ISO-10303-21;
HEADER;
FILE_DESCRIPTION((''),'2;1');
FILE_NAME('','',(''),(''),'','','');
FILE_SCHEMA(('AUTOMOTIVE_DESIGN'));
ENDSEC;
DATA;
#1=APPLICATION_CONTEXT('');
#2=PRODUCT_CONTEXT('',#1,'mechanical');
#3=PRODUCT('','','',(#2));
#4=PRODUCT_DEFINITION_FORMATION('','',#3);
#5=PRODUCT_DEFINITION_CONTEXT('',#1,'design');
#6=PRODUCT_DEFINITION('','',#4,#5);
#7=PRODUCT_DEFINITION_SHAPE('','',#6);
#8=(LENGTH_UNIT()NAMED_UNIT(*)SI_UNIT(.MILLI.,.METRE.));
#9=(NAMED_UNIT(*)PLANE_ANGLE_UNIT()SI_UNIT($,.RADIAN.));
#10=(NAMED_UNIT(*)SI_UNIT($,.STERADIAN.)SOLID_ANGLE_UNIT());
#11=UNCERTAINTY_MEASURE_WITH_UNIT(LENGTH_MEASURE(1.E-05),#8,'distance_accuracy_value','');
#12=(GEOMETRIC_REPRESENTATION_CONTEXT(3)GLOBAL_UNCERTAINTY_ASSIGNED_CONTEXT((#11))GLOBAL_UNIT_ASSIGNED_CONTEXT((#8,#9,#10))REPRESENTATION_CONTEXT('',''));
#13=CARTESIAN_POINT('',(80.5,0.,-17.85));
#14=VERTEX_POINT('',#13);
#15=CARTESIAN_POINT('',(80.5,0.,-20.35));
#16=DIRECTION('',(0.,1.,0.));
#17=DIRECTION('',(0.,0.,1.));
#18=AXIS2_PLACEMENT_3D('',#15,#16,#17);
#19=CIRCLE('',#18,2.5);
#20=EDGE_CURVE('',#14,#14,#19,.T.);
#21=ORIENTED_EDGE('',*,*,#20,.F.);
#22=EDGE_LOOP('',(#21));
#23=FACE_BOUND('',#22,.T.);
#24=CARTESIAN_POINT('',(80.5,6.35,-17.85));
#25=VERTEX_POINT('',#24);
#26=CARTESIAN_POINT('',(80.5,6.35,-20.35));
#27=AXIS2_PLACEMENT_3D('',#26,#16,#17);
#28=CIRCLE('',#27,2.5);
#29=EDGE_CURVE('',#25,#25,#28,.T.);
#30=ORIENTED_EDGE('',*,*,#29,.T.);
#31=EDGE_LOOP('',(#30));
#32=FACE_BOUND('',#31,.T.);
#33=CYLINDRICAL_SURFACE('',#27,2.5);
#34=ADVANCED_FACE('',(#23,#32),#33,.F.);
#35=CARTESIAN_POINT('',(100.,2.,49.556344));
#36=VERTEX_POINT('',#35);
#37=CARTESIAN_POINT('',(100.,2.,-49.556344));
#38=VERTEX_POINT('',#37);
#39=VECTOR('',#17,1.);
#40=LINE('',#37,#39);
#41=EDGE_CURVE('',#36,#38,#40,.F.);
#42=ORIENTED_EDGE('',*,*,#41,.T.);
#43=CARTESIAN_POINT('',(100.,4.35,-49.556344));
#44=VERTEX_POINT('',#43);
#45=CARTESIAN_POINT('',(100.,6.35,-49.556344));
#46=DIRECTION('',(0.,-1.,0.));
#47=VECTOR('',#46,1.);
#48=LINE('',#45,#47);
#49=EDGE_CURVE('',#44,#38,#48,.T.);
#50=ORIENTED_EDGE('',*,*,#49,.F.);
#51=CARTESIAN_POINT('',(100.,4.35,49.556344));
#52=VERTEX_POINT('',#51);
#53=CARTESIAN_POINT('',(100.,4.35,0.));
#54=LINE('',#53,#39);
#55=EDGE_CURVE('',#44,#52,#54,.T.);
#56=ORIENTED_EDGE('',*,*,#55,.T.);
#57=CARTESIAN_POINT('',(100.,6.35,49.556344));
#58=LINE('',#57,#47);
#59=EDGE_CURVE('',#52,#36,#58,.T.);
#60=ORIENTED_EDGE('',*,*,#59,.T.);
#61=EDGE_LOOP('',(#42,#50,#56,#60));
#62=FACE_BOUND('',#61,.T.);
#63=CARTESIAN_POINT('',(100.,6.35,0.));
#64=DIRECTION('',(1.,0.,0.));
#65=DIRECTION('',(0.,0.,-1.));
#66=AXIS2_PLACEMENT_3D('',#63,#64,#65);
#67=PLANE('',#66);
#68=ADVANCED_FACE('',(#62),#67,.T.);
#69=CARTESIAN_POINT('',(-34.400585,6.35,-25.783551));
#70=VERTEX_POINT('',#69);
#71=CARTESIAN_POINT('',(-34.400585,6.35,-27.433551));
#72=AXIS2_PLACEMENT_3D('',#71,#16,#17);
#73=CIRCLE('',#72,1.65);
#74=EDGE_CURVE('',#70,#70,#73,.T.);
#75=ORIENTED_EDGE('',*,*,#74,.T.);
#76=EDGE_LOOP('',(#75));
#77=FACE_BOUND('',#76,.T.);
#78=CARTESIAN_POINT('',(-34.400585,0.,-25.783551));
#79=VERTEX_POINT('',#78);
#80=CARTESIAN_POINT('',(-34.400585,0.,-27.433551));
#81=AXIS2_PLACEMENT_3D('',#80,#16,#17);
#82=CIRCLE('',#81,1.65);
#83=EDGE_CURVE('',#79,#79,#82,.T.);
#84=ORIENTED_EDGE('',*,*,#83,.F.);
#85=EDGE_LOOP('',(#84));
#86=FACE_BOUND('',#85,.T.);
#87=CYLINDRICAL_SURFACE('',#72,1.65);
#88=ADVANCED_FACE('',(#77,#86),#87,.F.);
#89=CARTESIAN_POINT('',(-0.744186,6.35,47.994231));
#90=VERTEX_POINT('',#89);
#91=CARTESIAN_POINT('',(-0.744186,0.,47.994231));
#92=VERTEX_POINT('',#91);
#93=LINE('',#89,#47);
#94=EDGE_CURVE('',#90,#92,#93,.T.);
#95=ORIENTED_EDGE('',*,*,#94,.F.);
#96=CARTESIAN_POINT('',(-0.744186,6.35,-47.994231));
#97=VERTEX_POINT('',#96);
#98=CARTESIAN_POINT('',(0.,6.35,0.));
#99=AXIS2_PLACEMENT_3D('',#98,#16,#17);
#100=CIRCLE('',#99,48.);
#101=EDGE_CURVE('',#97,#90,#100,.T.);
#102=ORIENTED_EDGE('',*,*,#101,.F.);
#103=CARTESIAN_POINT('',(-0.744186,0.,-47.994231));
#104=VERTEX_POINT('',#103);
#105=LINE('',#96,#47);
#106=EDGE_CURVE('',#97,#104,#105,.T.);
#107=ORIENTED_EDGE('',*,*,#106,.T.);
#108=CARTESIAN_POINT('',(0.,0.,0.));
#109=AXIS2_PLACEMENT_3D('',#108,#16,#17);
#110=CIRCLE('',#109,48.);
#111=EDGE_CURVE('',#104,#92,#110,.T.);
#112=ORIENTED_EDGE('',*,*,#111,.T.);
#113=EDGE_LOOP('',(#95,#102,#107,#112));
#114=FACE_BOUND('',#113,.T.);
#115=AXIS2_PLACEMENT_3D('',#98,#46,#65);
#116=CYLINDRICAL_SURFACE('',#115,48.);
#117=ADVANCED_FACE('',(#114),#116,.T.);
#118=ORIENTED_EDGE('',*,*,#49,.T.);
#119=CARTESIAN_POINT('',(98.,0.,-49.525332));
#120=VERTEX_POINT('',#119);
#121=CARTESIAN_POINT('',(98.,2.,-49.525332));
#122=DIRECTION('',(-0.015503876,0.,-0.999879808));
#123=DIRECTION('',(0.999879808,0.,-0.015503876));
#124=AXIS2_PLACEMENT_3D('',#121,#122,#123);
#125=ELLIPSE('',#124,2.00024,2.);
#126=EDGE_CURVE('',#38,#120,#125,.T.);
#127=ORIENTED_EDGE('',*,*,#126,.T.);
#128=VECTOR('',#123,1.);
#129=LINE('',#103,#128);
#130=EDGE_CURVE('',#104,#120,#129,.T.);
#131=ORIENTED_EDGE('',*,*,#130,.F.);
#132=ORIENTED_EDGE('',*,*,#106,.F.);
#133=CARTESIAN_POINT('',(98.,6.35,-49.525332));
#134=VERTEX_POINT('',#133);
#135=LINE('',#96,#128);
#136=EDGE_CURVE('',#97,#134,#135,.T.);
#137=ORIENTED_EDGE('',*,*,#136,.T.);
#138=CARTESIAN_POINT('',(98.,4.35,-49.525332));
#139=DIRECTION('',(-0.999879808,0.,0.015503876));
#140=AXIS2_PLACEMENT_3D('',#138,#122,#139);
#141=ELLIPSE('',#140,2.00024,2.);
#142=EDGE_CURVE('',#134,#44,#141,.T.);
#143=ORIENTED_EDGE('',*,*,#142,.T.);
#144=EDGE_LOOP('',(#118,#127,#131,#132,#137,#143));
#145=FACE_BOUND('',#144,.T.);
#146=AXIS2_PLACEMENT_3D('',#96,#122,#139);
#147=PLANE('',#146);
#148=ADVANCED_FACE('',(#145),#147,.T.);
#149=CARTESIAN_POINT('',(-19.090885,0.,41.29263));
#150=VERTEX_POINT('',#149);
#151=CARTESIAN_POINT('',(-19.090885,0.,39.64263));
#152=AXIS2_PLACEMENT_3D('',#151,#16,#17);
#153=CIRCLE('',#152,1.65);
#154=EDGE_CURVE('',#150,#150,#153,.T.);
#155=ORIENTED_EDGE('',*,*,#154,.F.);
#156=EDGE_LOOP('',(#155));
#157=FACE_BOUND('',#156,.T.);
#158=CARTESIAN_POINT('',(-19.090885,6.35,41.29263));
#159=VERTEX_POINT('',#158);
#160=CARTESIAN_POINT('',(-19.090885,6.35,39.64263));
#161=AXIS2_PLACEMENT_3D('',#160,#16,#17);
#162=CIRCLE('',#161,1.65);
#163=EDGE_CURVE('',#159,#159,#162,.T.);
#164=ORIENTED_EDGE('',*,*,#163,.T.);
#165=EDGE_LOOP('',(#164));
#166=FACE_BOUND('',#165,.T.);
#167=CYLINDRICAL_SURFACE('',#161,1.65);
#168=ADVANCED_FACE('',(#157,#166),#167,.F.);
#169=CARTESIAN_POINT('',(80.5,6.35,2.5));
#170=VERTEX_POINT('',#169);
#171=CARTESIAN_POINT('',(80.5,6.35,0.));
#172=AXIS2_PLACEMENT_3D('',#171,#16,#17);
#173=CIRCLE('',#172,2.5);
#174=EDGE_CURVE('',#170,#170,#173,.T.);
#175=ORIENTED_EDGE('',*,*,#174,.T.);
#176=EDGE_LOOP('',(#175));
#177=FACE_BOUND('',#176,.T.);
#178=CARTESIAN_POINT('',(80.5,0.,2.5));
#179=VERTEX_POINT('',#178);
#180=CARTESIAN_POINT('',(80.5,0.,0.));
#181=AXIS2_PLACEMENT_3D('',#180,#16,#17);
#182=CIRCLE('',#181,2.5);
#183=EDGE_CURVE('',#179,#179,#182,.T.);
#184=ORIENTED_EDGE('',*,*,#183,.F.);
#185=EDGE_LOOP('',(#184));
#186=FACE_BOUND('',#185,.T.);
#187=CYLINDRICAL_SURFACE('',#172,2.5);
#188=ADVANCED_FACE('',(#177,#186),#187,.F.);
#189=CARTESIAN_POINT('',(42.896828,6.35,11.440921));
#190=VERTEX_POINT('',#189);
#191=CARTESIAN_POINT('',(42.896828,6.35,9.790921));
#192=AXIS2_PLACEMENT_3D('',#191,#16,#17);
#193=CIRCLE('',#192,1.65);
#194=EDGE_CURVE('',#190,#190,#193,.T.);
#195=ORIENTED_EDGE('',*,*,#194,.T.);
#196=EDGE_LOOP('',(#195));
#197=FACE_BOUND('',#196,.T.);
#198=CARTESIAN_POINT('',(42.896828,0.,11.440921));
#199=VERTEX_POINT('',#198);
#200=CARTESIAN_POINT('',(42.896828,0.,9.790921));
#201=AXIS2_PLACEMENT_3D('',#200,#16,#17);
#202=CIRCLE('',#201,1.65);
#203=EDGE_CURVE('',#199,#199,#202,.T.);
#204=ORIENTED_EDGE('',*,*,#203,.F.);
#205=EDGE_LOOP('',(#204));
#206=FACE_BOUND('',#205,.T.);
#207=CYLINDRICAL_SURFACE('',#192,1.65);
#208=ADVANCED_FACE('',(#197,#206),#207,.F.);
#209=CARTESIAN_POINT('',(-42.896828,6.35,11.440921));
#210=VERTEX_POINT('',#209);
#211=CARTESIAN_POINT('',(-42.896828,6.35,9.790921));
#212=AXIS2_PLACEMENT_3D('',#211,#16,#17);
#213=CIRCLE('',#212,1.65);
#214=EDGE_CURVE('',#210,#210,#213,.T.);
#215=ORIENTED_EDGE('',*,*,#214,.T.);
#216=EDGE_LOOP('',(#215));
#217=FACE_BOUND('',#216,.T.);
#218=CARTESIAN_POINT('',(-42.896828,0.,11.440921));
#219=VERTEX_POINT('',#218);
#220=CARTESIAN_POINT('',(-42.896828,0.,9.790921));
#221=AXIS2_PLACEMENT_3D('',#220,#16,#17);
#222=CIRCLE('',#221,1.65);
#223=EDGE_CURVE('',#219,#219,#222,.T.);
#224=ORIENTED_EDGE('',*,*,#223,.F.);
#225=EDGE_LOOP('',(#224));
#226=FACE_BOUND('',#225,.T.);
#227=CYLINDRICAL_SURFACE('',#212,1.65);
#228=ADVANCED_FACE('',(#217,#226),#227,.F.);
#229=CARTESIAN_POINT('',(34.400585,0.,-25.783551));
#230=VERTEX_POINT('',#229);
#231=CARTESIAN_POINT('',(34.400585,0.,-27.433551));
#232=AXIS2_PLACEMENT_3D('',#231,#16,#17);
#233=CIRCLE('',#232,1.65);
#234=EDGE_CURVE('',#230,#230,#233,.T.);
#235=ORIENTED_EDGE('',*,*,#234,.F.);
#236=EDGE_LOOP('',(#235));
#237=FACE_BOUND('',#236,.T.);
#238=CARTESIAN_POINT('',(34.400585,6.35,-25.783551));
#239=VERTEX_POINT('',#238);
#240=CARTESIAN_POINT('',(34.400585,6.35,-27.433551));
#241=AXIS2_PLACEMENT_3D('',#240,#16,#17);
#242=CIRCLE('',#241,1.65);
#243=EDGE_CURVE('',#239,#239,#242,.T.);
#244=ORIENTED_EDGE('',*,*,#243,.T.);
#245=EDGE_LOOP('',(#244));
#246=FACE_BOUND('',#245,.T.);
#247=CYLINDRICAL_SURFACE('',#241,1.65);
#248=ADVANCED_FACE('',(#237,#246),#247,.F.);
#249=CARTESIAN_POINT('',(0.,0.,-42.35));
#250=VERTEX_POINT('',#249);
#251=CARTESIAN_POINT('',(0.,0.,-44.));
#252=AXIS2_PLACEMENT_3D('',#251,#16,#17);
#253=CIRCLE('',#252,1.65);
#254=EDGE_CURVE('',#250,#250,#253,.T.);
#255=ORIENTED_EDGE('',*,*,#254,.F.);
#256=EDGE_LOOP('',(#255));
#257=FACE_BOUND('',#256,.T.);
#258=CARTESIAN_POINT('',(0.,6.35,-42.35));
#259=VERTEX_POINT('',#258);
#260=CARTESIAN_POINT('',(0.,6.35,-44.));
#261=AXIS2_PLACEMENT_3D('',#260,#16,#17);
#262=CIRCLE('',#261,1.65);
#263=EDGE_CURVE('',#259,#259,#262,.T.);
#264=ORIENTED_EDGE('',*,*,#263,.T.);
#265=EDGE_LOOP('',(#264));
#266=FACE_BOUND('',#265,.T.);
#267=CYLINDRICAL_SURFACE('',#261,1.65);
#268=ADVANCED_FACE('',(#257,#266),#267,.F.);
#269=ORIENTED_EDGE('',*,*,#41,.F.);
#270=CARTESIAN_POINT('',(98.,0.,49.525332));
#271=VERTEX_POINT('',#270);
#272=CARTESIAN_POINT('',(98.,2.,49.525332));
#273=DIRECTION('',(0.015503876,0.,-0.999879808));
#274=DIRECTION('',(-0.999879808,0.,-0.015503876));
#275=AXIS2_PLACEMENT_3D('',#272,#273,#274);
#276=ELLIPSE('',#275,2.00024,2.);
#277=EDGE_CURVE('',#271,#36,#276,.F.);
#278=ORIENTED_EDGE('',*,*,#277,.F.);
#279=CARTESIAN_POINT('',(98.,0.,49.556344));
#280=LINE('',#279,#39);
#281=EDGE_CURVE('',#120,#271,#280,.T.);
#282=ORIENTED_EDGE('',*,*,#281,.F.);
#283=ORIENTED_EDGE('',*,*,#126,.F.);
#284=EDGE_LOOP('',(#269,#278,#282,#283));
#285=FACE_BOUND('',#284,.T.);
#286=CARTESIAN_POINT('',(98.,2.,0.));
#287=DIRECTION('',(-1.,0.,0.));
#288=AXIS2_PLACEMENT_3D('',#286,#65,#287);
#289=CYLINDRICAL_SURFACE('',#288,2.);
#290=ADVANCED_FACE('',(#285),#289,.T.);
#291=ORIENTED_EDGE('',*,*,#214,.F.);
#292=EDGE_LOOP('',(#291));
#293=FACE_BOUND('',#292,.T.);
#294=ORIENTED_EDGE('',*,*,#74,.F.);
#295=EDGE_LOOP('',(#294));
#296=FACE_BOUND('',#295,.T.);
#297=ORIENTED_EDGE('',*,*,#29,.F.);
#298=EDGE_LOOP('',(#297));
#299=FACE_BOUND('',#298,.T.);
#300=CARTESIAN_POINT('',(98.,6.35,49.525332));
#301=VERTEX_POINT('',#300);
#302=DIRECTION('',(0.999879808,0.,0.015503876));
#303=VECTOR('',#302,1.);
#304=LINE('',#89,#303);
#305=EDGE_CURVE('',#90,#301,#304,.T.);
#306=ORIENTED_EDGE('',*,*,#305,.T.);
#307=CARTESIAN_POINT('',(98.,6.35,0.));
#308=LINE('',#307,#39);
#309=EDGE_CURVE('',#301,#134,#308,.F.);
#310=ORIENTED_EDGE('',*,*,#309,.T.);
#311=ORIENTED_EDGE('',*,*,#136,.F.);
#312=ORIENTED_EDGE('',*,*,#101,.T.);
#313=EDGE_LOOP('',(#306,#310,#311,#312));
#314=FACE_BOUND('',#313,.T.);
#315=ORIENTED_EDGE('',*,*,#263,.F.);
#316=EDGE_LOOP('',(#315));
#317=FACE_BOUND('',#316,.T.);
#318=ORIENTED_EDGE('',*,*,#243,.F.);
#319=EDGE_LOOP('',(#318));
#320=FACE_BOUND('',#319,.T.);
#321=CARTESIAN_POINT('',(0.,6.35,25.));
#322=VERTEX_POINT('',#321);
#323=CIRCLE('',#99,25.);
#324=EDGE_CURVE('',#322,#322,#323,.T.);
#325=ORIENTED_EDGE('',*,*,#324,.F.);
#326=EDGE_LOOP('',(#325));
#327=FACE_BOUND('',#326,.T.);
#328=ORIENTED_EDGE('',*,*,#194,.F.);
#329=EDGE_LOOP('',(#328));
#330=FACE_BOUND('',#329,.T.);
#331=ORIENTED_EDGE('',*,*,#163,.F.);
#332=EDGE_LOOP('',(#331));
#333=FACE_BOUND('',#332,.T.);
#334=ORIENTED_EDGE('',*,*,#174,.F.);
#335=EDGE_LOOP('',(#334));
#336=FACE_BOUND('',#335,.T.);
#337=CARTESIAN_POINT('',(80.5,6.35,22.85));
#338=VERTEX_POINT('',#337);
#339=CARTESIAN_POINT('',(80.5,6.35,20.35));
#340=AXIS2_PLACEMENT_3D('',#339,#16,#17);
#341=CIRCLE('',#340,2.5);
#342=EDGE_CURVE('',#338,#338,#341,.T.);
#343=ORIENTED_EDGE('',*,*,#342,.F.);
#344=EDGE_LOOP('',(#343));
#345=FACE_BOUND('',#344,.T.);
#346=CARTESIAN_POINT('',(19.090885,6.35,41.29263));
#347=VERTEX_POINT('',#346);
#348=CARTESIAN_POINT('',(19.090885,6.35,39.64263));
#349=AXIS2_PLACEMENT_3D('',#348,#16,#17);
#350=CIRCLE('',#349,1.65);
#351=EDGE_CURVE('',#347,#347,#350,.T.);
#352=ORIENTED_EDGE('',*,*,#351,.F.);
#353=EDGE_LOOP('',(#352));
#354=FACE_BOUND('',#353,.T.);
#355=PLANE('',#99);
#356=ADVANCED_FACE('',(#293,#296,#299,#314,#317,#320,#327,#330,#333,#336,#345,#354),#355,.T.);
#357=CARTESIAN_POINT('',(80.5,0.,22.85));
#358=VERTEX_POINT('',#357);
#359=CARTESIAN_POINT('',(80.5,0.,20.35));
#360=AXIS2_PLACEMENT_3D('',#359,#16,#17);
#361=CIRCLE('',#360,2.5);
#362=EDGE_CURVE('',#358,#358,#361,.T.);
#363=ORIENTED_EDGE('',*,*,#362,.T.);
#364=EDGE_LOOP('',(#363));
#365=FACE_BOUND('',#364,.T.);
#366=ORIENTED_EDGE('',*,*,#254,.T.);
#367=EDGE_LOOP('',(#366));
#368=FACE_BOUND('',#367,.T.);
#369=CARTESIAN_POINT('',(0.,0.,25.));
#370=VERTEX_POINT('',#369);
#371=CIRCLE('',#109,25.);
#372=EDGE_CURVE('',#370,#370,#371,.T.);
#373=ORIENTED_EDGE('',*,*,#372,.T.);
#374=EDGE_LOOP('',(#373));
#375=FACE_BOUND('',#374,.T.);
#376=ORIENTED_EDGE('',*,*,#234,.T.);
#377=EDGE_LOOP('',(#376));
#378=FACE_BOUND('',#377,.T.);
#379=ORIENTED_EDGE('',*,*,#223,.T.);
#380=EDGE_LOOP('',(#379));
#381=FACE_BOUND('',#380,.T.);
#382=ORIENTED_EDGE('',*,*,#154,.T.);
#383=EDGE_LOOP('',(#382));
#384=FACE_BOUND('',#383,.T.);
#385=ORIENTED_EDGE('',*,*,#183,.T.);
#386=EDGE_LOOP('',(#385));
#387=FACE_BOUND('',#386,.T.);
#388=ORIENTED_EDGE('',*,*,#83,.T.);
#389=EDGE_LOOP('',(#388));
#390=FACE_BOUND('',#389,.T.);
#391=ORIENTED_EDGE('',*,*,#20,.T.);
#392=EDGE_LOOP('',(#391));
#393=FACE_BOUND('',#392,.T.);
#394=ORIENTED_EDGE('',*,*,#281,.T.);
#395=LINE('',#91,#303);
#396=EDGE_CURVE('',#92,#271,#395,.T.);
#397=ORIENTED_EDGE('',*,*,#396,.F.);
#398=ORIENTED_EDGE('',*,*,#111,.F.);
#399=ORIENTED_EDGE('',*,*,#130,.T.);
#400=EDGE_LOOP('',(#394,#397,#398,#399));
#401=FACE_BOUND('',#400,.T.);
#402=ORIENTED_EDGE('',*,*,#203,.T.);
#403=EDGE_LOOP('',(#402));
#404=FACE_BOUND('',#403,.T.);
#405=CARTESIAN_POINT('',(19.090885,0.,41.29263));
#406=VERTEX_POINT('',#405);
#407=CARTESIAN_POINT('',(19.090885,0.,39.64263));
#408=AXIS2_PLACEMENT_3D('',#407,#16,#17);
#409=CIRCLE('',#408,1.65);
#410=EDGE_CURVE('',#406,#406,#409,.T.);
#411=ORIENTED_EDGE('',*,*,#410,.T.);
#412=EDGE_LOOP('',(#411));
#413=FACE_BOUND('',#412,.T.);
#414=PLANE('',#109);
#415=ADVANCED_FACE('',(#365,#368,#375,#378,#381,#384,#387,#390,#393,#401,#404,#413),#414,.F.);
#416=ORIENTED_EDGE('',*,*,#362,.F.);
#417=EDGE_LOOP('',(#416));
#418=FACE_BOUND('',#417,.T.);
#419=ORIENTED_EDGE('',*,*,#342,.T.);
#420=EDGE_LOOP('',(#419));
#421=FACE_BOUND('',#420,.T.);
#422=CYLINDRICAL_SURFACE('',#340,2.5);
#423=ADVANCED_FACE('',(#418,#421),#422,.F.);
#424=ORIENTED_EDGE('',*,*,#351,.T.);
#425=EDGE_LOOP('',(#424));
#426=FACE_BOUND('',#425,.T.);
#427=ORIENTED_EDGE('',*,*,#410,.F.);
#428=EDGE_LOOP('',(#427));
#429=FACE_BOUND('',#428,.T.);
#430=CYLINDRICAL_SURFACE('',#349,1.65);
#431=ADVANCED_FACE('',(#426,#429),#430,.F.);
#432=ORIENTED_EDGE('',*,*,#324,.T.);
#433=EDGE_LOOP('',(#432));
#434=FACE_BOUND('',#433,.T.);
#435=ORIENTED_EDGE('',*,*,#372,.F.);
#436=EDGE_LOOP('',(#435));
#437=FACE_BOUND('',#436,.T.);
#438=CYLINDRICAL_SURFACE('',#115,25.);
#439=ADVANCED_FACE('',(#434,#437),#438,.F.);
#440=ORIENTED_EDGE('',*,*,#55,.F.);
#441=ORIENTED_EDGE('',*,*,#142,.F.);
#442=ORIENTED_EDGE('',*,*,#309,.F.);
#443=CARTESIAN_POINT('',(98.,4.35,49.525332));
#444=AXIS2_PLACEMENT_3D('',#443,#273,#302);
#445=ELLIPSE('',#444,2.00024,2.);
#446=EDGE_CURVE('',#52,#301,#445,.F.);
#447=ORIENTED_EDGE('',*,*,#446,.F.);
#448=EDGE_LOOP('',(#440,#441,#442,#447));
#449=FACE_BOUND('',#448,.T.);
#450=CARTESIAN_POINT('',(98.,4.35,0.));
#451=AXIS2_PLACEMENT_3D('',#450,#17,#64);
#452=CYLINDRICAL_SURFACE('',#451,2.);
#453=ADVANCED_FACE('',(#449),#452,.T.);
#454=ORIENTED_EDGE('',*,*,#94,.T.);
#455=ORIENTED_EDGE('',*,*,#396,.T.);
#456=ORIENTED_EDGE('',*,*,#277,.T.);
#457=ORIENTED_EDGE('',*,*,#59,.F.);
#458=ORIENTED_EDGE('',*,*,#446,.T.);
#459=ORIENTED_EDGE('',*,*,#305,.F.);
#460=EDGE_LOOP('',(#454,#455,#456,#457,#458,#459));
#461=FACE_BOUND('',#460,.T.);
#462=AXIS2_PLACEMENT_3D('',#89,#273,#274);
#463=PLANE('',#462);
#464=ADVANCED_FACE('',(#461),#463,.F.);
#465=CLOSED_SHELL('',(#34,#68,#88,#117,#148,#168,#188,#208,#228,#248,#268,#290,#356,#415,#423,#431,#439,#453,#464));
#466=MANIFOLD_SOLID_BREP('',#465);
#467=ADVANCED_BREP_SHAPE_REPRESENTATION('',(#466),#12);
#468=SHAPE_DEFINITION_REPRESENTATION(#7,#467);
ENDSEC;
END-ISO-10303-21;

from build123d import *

# Parameters (mm, degrees)
SKETCH1_R                 = 0.5
SKETCH1_R_2               = 25
BOSS_EXTRUDE1_DEPTH       = 6.35
M6X1_0_TAPPED_HOLE1_D     = 5
M6X1_0_TAPPED_HOLE1_DEPTH = 15
M6X1_0_TAPPED_HOLE1_TIP   = 1.502151548
M4X0_7_TAPPED_HOLE1_D     = 3.3
M4X0_7_TAPPED_HOLE1_DEPTH = 10.1
M4X0_7_TAPPED_HOLE1_TIP   = 0.991420021
FILLET1_R                 = 2


with BuildPart() as part:
    # Sketch1 → Boss-Extrude1 (new body)
    with BuildSketch(Plane(origin=(0, 0, 0), x_dir=(1, 0, 0), z_dir=(0, 1, 0))):
        with BuildLine():
            Line((100, -49.556343888), (100, 49.556343888))
            Line((100, 49.556343888), (-0.744186047, 47.994230769))
            ThreePointArc((-0.744186047, 47.994230769), (-48, 0), (-0.744186047, -47.994230769))
            Line((-0.744186047, -47.994230769), (100, -49.556343888))
        make_face()
        with Locations((80.5, -20.35)):
            Circle(SKETCH1_R, mode=Mode.SUBTRACT)
        Circle(SKETCH1_R_2, mode=Mode.SUBTRACT)
        with Locations((80.5, 0)):
            Circle(SKETCH1_R, mode=Mode.SUBTRACT)
        with Locations((80.5, 20.35)):
            Circle(SKETCH1_R, mode=Mode.SUBTRACT)
    extrude(amount=BOSS_EXTRUDE1_DEPTH)

    # M6x1.0 Tapped Hole1
    with Locations(Plane(origin=(80.5, 6.35, -20.35), x_dir=(0, 0, 1), z_dir=(0, 1, 0))):
        with Locations((0, 0), (20.35, 0), (40.7, 0)):
            Hole(M6X1_0_TAPPED_HOLE1_D / 2, depth=M6X1_0_TAPPED_HOLE1_DEPTH)
            with Locations((0, 0, -(M6X1_0_TAPPED_HOLE1_DEPTH + M6X1_0_TAPPED_HOLE1_TIP / 2))):  # 118° drill point
                Cone(0, M6X1_0_TAPPED_HOLE1_D / 2, M6X1_0_TAPPED_HOLE1_TIP, mode=Mode.SUBTRACT)

    # M4x0.7 Tapped Hole1
    with Locations(Plane(origin=(0, 6.35, 0), x_dir=(1, 0, 0), z_dir=(0, 1, 0))):
        with Locations((-34.400585229, 27.433551282), (0, 44), (34.400585229, 27.433551282), (42.896828136, -9.790921094), (19.090884521, -39.642630188), (-19.090884521, -39.642630188), (-42.896828136, -9.790921094)):
            Hole(M4X0_7_TAPPED_HOLE1_D / 2, depth=M4X0_7_TAPPED_HOLE1_DEPTH)
            with Locations((0, 0, -(M4X0_7_TAPPED_HOLE1_DEPTH + M4X0_7_TAPPED_HOLE1_TIP / 2))):  # 118° drill point
                Cone(0, M4X0_7_TAPPED_HOLE1_D / 2, M4X0_7_TAPPED_HOLE1_TIP, mode=Mode.SUBTRACT)

    # Fillet1
    fillet1_edges = [part.edges().sort_by_distance(p)[0] for p in [
        (100, 0, 0),
        (100, 6.35, 0),
    ]]
    fillet(fillet1_edges, radius=FILLET1_R)


solid = part.part
